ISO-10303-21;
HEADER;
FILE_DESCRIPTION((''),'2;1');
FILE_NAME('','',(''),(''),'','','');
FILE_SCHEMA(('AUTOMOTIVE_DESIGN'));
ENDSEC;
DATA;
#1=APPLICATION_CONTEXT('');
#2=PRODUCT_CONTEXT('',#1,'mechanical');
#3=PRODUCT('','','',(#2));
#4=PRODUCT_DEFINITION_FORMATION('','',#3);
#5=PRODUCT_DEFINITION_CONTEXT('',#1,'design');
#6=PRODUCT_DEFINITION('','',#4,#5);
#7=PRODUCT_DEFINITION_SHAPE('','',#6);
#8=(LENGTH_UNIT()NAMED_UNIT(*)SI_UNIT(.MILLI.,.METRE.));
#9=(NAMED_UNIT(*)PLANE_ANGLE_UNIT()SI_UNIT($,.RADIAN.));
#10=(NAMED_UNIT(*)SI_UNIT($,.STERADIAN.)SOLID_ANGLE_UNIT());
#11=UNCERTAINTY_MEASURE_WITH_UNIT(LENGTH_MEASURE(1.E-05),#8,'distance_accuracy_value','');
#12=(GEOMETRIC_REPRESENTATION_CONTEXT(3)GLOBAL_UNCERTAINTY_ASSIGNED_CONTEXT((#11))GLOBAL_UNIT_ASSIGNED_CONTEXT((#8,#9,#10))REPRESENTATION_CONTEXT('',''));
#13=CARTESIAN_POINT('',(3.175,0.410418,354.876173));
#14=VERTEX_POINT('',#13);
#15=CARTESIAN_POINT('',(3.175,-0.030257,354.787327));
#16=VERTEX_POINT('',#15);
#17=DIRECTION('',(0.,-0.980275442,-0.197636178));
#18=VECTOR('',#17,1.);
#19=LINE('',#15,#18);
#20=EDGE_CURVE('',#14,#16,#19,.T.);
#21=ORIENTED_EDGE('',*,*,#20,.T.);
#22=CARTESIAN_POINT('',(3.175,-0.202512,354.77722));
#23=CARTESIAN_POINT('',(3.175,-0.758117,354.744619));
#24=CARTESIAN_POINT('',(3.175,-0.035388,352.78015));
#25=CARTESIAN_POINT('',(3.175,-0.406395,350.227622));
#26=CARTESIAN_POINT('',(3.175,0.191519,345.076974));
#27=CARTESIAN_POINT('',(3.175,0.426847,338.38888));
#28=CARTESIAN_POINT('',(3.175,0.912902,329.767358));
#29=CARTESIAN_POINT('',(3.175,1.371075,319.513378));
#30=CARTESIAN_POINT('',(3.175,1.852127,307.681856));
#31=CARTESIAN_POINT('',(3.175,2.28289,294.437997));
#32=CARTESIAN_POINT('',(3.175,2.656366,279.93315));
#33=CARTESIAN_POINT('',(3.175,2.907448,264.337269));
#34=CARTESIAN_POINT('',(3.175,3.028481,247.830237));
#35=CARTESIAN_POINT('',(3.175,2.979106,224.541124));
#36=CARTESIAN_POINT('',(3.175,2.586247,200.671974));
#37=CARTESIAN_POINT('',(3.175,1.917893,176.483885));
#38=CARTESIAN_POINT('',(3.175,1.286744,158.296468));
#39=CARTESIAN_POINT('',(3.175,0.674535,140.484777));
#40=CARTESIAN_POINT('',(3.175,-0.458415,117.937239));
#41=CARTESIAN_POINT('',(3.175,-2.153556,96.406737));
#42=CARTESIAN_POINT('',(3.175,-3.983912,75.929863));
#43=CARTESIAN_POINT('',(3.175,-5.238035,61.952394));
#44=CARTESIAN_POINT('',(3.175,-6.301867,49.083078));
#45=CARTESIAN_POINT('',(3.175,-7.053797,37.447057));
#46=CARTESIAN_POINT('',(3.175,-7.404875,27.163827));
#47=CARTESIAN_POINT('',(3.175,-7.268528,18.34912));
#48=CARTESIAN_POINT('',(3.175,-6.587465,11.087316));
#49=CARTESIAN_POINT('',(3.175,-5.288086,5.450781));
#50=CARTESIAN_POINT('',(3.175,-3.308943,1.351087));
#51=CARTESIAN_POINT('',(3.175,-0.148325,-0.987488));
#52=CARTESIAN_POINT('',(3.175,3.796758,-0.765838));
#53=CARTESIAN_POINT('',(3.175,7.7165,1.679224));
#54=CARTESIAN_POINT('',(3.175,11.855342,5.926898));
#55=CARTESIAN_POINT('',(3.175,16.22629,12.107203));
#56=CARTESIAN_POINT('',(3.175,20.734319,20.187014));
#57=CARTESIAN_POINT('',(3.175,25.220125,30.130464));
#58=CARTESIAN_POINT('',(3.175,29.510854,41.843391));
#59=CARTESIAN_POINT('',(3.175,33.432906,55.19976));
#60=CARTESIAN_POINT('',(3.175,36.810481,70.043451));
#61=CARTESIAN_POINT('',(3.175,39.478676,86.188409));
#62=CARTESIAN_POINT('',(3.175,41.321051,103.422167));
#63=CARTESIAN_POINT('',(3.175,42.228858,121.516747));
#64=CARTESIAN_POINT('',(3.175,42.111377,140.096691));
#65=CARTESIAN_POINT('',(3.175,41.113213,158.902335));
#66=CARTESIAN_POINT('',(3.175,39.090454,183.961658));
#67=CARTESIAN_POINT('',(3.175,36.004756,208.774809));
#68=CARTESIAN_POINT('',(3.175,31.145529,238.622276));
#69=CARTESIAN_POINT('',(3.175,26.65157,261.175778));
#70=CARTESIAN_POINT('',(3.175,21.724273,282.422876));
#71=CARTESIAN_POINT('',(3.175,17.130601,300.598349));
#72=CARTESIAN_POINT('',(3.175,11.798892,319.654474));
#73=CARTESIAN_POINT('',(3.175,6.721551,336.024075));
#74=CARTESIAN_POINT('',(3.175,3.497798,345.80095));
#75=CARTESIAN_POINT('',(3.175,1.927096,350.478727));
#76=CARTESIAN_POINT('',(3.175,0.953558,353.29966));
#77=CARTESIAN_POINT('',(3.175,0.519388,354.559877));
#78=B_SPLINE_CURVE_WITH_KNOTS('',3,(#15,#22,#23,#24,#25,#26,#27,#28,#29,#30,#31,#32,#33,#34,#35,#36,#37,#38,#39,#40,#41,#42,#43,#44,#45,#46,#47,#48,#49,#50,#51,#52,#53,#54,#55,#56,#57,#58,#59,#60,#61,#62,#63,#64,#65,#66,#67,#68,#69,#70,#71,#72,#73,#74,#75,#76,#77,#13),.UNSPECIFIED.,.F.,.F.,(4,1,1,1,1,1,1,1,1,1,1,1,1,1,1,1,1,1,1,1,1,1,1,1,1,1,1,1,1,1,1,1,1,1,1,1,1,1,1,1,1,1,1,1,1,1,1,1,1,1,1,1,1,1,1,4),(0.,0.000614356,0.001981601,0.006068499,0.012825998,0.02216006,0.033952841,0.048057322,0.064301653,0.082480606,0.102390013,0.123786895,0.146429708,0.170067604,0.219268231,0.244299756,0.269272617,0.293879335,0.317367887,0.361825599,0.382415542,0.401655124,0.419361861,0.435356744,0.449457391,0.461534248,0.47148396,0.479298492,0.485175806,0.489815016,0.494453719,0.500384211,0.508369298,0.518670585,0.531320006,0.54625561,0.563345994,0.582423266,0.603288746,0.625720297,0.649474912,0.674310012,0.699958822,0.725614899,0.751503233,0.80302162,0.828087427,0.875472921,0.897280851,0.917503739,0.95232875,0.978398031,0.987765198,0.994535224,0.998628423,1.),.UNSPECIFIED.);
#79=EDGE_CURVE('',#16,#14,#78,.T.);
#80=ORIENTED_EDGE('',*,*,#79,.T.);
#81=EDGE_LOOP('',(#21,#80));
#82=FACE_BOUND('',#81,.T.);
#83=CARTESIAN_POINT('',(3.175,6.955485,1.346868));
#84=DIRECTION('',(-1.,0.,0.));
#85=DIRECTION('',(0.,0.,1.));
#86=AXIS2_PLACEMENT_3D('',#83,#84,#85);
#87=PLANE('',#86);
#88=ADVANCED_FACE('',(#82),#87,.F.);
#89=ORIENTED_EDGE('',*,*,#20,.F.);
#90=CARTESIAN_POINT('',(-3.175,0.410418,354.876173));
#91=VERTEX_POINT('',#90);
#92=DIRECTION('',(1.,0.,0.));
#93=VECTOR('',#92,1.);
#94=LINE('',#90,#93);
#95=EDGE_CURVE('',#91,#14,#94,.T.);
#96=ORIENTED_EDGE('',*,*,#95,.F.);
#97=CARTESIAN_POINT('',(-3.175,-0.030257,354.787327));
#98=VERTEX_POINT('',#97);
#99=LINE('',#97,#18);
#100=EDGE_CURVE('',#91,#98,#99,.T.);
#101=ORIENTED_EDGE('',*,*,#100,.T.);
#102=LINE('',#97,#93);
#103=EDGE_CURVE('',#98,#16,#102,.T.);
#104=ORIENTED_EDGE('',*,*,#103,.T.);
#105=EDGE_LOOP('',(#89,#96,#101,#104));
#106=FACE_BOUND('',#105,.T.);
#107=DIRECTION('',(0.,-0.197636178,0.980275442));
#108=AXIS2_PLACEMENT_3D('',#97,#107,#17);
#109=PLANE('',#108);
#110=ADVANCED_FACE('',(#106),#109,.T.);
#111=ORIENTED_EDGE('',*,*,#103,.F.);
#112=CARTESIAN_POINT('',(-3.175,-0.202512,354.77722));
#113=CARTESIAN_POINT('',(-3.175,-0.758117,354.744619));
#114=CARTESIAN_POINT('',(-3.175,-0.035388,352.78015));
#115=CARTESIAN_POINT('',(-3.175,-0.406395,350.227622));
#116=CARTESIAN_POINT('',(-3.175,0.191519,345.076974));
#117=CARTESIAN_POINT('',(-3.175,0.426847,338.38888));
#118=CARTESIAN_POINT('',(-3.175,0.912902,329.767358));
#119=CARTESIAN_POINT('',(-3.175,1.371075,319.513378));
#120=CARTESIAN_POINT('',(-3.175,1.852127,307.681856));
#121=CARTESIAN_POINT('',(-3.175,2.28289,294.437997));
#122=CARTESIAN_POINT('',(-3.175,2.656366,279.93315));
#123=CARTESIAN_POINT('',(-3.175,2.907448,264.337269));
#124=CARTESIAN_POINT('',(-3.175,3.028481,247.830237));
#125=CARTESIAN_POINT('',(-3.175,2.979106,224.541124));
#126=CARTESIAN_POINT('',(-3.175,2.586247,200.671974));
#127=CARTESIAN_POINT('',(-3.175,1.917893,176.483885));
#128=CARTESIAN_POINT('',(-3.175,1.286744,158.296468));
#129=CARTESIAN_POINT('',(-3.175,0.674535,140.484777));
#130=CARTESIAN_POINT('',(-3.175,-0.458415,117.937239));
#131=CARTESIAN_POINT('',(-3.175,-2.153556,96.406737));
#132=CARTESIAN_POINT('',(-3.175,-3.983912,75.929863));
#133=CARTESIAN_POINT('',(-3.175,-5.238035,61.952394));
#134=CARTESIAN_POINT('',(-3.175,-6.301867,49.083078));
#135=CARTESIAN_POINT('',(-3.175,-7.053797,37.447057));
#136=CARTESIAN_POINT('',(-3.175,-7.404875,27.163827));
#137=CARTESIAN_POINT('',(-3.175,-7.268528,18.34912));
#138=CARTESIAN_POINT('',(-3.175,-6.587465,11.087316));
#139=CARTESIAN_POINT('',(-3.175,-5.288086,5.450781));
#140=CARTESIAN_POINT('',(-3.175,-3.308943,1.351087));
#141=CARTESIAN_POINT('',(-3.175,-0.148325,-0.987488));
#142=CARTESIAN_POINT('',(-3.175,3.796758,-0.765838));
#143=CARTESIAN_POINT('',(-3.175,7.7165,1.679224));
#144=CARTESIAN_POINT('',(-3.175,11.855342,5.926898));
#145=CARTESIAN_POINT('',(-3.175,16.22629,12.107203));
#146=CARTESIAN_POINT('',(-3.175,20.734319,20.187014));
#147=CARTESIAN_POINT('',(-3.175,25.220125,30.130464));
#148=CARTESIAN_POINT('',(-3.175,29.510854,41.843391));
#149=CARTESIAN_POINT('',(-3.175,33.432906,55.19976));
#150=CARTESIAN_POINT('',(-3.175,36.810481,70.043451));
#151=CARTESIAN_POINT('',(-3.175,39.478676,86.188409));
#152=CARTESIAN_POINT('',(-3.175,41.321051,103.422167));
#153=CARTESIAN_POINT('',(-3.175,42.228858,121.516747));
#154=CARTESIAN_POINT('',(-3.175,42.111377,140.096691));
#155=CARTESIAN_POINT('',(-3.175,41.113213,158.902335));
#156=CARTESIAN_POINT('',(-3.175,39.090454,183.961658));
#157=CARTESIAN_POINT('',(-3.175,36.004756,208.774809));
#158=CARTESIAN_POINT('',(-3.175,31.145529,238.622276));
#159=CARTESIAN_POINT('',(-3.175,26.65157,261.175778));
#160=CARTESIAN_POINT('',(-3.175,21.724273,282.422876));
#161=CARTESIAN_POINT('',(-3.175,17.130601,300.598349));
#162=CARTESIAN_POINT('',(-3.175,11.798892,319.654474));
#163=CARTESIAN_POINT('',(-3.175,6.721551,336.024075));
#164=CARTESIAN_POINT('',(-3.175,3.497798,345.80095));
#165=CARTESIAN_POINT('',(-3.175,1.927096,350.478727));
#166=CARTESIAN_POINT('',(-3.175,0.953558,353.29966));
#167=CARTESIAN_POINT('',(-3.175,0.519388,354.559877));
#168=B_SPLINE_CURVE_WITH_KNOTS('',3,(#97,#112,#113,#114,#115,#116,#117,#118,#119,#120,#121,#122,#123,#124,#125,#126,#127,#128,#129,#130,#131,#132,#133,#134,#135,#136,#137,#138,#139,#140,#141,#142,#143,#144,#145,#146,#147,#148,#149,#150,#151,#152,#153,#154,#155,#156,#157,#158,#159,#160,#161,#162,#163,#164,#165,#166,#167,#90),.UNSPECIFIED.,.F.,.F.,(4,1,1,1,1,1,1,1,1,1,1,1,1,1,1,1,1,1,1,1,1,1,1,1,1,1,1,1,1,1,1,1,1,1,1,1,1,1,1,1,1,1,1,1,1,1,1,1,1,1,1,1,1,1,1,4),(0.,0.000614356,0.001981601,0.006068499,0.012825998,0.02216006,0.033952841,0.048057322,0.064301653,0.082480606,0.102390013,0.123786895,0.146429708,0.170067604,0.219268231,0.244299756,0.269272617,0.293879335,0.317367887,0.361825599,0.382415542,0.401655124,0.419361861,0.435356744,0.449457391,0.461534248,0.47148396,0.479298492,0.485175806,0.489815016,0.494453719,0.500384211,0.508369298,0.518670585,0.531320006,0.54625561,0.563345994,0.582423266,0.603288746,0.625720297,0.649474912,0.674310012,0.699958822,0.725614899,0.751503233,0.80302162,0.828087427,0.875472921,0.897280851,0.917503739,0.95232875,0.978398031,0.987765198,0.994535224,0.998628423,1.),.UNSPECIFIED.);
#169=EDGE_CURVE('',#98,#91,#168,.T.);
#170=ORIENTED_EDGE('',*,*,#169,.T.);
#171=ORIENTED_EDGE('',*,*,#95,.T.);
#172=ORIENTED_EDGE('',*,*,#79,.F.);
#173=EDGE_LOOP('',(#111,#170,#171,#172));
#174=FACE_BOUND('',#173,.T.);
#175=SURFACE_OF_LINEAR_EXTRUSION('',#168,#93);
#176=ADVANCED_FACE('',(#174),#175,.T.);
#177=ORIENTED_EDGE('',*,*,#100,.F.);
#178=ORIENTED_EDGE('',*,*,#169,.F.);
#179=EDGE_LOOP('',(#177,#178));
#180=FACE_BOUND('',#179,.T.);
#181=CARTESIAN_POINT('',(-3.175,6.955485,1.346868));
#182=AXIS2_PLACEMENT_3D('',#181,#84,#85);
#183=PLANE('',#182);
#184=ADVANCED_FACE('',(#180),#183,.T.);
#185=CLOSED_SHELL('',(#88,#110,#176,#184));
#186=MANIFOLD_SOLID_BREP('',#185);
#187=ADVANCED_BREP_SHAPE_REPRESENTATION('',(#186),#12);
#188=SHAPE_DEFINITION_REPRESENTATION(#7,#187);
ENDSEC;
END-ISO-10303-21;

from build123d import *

# Parameters (mm, degrees)
BOSS_EXTRUDE1_DEPTH      = 3.175
BOSS_EXTRUDE1_DEPTH_BACK = 3.175


with BuildPart() as part:
    # Sketch1 → Boss-Extrude1 (new, two sides: drawn at the far end of the back side and taken through both)
    with BuildSketch(Plane(origin=(0, 0, 0), x_dir=(0, 0, -1), z_dir=(1, 0, 0)).offset(-BOSS_EXTRUDE1_DEPTH_BACK)):
        with BuildLine():
            Line((-354.787327228, -0.030257196), (-354.876173011, 0.410417887))
            add(Edge.make_bspline(
                [(-354.876173011, 0.410417887), (-354.559877309, 0.519388), (-353.29965963, 0.95355787), (-350.47872665, 1.927095868), (-345.800950265, 3.497798274), (-336.024074692, 6.721551148), (-319.654473712, 11.798891927), (-300.598349456, 17.130600639), (-282.422876264, 21.724272526), (-261.175777938, 26.651569731), (-238.622276389, 31.145528798), (-208.774809213, 36.004755717), (-183.96165787, 39.090454058), (-158.902335219, 41.113212891), (-140.096691022, 42.111376668), (-121.516747473, 42.228858195), (-103.422167262, 41.321050632), (-86.188408528, 39.478676181), (-70.043450957, 36.810480574), (-55.199760436, 33.432905997), (-41.843390777, 29.510854383), (-30.130463623, 25.220125297), (-20.187014188, 20.73431935), (-12.107203154, 16.226289935), (-5.926897661, 11.855341958), (-1.679224073, 7.716499794), (0.765838065, 3.796757813), (0.987487677, -0.148325216), (-1.35108726, -3.308943186), (-5.450780885, -5.288085739), (-11.087315968, -6.587464624), (-18.34911979, -7.268527656), (-27.163826626, -7.404874951), (-37.447057223, -7.053797092), (-49.083078017, -6.301866785), (-61.95239395, -5.238034817), (-75.929862643, -3.983911698), (-96.406736552, -2.153555858), (-117.937239158, -0.458414508), (-140.484776897, 0.674535203), (-158.296467959, 1.286744043), (-176.48388462, 1.917893193), (-200.671973719, 2.586246563), (-224.541124114, 2.979106232), (-247.830237405, 3.028480659), (-264.337268621, 2.907447598), (-279.933149694, 2.656365926), (-294.437996632, 2.282890374), (-307.681856469, 1.852126627), (-319.513378006, 1.371074809), (-329.767358246, 0.912902227), (-338.388880463, 0.426846955), (-345.076973543, 0.191518705), (-350.227621538, -0.406394891), (-352.780150329, -0.035387827), (-354.744619464, -0.75811662), (-354.777220059, -0.20251155), (-354.787327228, -0.030257196)],
                knots=[0, 0, 0, 0, 0.001371577, 0.005464776, 0.012234802, 0.021601969, 0.04767125, 0.082496261, 0.102719149, 0.124527079, 0.171912573, 0.19697838, 0.248496767, 0.274385101, 0.300041178, 0.325689988, 0.350525088, 0.374279703, 0.396711254, 0.417576734, 0.436654006, 0.45374439, 0.468679994, 0.481329415, 0.491630702, 0.499615789, 0.505546281, 0.510184984, 0.514824194, 0.520701508, 0.52851604, 0.538465752, 0.550542609, 0.564643256, 0.580638139, 0.598344876, 0.617584458, 0.638174401, 0.682632113, 0.706120665, 0.730727383, 0.755700244, 0.780731769, 0.829932396, 0.853570292, 0.876213105, 0.897609987, 0.917519394, 0.935698347, 0.951942678, 0.966047159, 0.97783994, 0.987174002, 0.993931501, 0.998018399, 0.999385644, 1, 1, 1, 1], degree=3))
        make_face()
    extrude(amount=BOSS_EXTRUDE1_DEPTH + BOSS_EXTRUDE1_DEPTH_BACK)


solid = part.part
